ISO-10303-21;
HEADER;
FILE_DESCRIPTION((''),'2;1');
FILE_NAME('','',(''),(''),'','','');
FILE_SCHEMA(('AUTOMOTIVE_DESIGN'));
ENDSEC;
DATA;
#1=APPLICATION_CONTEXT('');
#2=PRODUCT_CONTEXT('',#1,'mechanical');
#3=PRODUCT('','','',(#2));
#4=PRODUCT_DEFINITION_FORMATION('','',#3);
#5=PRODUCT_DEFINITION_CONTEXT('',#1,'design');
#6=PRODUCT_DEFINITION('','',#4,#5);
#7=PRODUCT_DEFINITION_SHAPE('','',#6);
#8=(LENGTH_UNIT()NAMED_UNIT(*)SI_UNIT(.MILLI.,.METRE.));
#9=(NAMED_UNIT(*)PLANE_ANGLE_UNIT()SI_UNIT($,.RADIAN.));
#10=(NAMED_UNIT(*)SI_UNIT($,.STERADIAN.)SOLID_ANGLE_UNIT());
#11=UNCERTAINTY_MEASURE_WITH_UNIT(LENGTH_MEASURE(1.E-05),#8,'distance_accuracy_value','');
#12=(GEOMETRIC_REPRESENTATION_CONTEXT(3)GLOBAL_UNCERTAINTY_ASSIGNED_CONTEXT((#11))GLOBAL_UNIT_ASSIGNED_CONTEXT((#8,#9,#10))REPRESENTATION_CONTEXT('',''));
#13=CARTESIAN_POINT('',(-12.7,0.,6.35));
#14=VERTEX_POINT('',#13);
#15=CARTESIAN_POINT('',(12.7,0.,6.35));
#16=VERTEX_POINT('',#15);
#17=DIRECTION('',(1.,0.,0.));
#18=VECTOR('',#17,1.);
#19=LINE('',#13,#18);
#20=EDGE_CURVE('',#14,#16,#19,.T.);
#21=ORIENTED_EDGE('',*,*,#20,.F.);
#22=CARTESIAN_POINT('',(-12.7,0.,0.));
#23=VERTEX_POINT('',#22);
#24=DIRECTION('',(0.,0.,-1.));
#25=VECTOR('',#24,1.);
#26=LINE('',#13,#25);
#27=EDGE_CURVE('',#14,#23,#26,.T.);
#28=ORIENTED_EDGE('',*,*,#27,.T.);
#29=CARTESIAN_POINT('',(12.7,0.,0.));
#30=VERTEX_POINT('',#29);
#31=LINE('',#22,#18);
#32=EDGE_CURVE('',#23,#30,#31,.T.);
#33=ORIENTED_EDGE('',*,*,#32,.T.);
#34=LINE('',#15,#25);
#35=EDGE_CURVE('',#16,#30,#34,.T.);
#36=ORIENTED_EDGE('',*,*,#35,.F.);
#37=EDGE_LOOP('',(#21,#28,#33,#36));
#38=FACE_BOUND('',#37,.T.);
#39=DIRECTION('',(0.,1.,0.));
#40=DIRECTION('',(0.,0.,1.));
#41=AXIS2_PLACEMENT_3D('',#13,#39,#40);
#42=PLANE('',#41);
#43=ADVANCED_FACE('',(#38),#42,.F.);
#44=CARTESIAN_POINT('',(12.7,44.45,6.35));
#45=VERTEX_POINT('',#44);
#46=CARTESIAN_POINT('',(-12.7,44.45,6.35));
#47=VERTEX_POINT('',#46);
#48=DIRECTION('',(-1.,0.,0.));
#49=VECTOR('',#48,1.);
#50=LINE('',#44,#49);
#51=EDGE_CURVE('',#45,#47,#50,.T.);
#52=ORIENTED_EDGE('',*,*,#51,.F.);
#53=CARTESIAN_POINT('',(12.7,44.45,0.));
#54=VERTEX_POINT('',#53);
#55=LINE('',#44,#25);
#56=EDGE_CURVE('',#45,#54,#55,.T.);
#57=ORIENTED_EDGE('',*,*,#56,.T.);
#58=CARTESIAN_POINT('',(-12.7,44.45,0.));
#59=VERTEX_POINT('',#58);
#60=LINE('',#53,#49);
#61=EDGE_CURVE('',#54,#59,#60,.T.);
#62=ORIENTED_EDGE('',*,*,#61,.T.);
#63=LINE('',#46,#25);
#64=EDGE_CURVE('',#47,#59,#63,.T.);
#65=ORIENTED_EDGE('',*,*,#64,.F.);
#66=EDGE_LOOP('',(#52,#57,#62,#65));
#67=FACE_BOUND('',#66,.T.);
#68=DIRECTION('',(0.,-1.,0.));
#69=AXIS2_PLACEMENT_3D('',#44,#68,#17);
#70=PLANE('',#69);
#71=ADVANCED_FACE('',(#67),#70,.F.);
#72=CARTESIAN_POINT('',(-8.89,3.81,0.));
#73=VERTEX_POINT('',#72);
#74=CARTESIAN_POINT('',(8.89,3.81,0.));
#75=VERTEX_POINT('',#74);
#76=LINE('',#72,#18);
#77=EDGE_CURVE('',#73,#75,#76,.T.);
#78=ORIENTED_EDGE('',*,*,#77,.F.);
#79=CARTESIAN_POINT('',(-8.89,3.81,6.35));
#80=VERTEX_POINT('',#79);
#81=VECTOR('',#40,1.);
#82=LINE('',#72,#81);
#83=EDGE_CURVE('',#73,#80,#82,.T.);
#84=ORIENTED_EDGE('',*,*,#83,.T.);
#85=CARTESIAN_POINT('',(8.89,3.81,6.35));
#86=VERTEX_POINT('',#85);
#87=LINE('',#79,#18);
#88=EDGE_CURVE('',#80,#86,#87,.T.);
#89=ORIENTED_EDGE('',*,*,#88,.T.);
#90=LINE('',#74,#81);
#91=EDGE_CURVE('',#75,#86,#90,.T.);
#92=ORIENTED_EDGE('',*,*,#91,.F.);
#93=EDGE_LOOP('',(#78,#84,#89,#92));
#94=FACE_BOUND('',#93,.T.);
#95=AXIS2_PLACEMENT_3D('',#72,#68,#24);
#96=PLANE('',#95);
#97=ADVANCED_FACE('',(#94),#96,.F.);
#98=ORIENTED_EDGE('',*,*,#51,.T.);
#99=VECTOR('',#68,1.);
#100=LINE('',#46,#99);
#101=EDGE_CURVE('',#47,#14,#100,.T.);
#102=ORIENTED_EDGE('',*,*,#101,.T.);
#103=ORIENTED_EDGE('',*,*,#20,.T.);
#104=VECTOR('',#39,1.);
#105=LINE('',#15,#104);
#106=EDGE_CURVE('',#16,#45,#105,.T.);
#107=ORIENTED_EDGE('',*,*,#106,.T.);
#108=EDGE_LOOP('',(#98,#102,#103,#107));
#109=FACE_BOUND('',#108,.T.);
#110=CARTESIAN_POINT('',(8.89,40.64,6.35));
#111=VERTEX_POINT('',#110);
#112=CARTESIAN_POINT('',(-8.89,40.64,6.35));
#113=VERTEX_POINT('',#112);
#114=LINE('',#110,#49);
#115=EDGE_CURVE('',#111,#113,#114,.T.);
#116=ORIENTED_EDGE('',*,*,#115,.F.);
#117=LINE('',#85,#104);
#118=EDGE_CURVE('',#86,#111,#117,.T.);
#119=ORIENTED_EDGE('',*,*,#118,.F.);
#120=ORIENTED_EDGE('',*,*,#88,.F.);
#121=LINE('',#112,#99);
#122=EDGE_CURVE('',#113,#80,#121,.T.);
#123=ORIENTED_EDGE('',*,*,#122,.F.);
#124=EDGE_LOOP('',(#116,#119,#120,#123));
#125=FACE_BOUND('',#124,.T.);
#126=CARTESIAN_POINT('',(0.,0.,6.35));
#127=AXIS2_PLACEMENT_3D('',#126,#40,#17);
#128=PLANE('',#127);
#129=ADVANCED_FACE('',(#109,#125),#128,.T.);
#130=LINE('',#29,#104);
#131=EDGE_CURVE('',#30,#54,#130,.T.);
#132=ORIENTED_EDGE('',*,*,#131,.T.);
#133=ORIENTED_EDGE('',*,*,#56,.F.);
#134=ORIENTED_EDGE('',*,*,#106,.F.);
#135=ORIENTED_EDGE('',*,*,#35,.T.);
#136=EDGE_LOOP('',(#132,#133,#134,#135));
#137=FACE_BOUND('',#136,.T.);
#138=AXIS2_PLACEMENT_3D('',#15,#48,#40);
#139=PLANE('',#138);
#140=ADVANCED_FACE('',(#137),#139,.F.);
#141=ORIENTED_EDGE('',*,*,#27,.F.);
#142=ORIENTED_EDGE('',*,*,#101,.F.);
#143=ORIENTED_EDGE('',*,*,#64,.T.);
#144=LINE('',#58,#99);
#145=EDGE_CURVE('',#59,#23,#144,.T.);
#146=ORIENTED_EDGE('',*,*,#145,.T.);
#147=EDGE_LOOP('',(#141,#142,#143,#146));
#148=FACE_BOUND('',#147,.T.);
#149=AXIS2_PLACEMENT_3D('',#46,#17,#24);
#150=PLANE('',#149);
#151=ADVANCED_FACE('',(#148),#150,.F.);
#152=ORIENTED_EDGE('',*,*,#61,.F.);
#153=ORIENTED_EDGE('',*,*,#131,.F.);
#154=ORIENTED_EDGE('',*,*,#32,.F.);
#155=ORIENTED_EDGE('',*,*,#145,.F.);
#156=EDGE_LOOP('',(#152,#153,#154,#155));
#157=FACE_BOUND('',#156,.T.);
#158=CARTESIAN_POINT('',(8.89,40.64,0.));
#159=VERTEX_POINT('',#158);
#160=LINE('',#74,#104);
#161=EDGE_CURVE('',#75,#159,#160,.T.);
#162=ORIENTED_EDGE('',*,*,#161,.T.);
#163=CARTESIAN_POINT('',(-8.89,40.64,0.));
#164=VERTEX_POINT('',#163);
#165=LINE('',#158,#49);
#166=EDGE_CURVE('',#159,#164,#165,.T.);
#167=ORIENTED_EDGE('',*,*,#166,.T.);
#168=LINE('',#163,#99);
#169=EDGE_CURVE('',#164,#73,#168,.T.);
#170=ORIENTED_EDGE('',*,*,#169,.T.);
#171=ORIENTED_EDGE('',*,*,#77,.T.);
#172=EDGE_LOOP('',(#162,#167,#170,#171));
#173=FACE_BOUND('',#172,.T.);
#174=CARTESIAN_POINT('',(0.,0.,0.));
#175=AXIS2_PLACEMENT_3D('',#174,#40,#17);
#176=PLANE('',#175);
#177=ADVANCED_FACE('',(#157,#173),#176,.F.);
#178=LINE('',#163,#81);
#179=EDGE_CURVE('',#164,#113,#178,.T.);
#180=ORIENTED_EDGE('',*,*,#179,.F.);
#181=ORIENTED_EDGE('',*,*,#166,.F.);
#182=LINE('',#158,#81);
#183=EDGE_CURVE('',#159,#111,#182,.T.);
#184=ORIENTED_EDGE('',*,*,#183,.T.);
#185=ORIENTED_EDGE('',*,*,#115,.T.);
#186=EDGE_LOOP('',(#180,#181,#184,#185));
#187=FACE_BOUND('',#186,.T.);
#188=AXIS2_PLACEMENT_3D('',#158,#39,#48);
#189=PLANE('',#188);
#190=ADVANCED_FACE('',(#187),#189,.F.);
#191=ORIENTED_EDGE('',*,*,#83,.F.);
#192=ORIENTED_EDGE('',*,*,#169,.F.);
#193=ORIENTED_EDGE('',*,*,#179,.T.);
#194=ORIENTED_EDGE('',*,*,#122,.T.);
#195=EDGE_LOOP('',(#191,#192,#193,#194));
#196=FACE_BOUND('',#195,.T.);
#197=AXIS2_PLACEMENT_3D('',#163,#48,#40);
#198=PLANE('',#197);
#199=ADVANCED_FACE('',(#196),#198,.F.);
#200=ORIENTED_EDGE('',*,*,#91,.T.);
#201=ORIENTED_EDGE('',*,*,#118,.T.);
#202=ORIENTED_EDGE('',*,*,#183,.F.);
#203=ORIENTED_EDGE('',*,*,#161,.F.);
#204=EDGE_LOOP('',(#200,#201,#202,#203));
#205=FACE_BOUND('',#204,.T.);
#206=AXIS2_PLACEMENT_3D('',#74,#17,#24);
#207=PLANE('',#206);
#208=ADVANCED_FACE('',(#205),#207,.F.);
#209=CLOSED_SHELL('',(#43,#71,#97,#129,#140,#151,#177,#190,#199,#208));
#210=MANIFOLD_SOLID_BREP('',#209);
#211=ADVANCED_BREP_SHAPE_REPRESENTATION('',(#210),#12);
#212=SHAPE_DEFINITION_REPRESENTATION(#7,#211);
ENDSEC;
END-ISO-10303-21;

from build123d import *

# Parameters (mm, degrees)
SKETCH1_W           = 25.4
SKETCH1_H           = 44.45
BOSS_EXTRUDE1_DEPTH = 6.35
SKETCH3_W           = 17.78
SKETCH3_H           = 36.83
CUT_EXTRUDE1_DEPTH  = 6.35


with BuildPart() as part:
    # Sketch1 → Boss-Extrude1 (new body)
    with BuildSketch(Plane.XY):
        with Locations((0, 22.225)):
            Rectangle(SKETCH1_W, SKETCH1_H)
    extrude(amount=BOSS_EXTRUDE1_DEPTH)

    # Sketch3 → Cut-Extrude1 (cut)
    with BuildSketch(Plane.XY.offset(6.35)):
        with Locations((0, 22.225)):
            Rectangle(SKETCH3_W, SKETCH3_H)
    extrude(amount=-CUT_EXTRUDE1_DEPTH, mode=Mode.SUBTRACT)


solid = part.part
